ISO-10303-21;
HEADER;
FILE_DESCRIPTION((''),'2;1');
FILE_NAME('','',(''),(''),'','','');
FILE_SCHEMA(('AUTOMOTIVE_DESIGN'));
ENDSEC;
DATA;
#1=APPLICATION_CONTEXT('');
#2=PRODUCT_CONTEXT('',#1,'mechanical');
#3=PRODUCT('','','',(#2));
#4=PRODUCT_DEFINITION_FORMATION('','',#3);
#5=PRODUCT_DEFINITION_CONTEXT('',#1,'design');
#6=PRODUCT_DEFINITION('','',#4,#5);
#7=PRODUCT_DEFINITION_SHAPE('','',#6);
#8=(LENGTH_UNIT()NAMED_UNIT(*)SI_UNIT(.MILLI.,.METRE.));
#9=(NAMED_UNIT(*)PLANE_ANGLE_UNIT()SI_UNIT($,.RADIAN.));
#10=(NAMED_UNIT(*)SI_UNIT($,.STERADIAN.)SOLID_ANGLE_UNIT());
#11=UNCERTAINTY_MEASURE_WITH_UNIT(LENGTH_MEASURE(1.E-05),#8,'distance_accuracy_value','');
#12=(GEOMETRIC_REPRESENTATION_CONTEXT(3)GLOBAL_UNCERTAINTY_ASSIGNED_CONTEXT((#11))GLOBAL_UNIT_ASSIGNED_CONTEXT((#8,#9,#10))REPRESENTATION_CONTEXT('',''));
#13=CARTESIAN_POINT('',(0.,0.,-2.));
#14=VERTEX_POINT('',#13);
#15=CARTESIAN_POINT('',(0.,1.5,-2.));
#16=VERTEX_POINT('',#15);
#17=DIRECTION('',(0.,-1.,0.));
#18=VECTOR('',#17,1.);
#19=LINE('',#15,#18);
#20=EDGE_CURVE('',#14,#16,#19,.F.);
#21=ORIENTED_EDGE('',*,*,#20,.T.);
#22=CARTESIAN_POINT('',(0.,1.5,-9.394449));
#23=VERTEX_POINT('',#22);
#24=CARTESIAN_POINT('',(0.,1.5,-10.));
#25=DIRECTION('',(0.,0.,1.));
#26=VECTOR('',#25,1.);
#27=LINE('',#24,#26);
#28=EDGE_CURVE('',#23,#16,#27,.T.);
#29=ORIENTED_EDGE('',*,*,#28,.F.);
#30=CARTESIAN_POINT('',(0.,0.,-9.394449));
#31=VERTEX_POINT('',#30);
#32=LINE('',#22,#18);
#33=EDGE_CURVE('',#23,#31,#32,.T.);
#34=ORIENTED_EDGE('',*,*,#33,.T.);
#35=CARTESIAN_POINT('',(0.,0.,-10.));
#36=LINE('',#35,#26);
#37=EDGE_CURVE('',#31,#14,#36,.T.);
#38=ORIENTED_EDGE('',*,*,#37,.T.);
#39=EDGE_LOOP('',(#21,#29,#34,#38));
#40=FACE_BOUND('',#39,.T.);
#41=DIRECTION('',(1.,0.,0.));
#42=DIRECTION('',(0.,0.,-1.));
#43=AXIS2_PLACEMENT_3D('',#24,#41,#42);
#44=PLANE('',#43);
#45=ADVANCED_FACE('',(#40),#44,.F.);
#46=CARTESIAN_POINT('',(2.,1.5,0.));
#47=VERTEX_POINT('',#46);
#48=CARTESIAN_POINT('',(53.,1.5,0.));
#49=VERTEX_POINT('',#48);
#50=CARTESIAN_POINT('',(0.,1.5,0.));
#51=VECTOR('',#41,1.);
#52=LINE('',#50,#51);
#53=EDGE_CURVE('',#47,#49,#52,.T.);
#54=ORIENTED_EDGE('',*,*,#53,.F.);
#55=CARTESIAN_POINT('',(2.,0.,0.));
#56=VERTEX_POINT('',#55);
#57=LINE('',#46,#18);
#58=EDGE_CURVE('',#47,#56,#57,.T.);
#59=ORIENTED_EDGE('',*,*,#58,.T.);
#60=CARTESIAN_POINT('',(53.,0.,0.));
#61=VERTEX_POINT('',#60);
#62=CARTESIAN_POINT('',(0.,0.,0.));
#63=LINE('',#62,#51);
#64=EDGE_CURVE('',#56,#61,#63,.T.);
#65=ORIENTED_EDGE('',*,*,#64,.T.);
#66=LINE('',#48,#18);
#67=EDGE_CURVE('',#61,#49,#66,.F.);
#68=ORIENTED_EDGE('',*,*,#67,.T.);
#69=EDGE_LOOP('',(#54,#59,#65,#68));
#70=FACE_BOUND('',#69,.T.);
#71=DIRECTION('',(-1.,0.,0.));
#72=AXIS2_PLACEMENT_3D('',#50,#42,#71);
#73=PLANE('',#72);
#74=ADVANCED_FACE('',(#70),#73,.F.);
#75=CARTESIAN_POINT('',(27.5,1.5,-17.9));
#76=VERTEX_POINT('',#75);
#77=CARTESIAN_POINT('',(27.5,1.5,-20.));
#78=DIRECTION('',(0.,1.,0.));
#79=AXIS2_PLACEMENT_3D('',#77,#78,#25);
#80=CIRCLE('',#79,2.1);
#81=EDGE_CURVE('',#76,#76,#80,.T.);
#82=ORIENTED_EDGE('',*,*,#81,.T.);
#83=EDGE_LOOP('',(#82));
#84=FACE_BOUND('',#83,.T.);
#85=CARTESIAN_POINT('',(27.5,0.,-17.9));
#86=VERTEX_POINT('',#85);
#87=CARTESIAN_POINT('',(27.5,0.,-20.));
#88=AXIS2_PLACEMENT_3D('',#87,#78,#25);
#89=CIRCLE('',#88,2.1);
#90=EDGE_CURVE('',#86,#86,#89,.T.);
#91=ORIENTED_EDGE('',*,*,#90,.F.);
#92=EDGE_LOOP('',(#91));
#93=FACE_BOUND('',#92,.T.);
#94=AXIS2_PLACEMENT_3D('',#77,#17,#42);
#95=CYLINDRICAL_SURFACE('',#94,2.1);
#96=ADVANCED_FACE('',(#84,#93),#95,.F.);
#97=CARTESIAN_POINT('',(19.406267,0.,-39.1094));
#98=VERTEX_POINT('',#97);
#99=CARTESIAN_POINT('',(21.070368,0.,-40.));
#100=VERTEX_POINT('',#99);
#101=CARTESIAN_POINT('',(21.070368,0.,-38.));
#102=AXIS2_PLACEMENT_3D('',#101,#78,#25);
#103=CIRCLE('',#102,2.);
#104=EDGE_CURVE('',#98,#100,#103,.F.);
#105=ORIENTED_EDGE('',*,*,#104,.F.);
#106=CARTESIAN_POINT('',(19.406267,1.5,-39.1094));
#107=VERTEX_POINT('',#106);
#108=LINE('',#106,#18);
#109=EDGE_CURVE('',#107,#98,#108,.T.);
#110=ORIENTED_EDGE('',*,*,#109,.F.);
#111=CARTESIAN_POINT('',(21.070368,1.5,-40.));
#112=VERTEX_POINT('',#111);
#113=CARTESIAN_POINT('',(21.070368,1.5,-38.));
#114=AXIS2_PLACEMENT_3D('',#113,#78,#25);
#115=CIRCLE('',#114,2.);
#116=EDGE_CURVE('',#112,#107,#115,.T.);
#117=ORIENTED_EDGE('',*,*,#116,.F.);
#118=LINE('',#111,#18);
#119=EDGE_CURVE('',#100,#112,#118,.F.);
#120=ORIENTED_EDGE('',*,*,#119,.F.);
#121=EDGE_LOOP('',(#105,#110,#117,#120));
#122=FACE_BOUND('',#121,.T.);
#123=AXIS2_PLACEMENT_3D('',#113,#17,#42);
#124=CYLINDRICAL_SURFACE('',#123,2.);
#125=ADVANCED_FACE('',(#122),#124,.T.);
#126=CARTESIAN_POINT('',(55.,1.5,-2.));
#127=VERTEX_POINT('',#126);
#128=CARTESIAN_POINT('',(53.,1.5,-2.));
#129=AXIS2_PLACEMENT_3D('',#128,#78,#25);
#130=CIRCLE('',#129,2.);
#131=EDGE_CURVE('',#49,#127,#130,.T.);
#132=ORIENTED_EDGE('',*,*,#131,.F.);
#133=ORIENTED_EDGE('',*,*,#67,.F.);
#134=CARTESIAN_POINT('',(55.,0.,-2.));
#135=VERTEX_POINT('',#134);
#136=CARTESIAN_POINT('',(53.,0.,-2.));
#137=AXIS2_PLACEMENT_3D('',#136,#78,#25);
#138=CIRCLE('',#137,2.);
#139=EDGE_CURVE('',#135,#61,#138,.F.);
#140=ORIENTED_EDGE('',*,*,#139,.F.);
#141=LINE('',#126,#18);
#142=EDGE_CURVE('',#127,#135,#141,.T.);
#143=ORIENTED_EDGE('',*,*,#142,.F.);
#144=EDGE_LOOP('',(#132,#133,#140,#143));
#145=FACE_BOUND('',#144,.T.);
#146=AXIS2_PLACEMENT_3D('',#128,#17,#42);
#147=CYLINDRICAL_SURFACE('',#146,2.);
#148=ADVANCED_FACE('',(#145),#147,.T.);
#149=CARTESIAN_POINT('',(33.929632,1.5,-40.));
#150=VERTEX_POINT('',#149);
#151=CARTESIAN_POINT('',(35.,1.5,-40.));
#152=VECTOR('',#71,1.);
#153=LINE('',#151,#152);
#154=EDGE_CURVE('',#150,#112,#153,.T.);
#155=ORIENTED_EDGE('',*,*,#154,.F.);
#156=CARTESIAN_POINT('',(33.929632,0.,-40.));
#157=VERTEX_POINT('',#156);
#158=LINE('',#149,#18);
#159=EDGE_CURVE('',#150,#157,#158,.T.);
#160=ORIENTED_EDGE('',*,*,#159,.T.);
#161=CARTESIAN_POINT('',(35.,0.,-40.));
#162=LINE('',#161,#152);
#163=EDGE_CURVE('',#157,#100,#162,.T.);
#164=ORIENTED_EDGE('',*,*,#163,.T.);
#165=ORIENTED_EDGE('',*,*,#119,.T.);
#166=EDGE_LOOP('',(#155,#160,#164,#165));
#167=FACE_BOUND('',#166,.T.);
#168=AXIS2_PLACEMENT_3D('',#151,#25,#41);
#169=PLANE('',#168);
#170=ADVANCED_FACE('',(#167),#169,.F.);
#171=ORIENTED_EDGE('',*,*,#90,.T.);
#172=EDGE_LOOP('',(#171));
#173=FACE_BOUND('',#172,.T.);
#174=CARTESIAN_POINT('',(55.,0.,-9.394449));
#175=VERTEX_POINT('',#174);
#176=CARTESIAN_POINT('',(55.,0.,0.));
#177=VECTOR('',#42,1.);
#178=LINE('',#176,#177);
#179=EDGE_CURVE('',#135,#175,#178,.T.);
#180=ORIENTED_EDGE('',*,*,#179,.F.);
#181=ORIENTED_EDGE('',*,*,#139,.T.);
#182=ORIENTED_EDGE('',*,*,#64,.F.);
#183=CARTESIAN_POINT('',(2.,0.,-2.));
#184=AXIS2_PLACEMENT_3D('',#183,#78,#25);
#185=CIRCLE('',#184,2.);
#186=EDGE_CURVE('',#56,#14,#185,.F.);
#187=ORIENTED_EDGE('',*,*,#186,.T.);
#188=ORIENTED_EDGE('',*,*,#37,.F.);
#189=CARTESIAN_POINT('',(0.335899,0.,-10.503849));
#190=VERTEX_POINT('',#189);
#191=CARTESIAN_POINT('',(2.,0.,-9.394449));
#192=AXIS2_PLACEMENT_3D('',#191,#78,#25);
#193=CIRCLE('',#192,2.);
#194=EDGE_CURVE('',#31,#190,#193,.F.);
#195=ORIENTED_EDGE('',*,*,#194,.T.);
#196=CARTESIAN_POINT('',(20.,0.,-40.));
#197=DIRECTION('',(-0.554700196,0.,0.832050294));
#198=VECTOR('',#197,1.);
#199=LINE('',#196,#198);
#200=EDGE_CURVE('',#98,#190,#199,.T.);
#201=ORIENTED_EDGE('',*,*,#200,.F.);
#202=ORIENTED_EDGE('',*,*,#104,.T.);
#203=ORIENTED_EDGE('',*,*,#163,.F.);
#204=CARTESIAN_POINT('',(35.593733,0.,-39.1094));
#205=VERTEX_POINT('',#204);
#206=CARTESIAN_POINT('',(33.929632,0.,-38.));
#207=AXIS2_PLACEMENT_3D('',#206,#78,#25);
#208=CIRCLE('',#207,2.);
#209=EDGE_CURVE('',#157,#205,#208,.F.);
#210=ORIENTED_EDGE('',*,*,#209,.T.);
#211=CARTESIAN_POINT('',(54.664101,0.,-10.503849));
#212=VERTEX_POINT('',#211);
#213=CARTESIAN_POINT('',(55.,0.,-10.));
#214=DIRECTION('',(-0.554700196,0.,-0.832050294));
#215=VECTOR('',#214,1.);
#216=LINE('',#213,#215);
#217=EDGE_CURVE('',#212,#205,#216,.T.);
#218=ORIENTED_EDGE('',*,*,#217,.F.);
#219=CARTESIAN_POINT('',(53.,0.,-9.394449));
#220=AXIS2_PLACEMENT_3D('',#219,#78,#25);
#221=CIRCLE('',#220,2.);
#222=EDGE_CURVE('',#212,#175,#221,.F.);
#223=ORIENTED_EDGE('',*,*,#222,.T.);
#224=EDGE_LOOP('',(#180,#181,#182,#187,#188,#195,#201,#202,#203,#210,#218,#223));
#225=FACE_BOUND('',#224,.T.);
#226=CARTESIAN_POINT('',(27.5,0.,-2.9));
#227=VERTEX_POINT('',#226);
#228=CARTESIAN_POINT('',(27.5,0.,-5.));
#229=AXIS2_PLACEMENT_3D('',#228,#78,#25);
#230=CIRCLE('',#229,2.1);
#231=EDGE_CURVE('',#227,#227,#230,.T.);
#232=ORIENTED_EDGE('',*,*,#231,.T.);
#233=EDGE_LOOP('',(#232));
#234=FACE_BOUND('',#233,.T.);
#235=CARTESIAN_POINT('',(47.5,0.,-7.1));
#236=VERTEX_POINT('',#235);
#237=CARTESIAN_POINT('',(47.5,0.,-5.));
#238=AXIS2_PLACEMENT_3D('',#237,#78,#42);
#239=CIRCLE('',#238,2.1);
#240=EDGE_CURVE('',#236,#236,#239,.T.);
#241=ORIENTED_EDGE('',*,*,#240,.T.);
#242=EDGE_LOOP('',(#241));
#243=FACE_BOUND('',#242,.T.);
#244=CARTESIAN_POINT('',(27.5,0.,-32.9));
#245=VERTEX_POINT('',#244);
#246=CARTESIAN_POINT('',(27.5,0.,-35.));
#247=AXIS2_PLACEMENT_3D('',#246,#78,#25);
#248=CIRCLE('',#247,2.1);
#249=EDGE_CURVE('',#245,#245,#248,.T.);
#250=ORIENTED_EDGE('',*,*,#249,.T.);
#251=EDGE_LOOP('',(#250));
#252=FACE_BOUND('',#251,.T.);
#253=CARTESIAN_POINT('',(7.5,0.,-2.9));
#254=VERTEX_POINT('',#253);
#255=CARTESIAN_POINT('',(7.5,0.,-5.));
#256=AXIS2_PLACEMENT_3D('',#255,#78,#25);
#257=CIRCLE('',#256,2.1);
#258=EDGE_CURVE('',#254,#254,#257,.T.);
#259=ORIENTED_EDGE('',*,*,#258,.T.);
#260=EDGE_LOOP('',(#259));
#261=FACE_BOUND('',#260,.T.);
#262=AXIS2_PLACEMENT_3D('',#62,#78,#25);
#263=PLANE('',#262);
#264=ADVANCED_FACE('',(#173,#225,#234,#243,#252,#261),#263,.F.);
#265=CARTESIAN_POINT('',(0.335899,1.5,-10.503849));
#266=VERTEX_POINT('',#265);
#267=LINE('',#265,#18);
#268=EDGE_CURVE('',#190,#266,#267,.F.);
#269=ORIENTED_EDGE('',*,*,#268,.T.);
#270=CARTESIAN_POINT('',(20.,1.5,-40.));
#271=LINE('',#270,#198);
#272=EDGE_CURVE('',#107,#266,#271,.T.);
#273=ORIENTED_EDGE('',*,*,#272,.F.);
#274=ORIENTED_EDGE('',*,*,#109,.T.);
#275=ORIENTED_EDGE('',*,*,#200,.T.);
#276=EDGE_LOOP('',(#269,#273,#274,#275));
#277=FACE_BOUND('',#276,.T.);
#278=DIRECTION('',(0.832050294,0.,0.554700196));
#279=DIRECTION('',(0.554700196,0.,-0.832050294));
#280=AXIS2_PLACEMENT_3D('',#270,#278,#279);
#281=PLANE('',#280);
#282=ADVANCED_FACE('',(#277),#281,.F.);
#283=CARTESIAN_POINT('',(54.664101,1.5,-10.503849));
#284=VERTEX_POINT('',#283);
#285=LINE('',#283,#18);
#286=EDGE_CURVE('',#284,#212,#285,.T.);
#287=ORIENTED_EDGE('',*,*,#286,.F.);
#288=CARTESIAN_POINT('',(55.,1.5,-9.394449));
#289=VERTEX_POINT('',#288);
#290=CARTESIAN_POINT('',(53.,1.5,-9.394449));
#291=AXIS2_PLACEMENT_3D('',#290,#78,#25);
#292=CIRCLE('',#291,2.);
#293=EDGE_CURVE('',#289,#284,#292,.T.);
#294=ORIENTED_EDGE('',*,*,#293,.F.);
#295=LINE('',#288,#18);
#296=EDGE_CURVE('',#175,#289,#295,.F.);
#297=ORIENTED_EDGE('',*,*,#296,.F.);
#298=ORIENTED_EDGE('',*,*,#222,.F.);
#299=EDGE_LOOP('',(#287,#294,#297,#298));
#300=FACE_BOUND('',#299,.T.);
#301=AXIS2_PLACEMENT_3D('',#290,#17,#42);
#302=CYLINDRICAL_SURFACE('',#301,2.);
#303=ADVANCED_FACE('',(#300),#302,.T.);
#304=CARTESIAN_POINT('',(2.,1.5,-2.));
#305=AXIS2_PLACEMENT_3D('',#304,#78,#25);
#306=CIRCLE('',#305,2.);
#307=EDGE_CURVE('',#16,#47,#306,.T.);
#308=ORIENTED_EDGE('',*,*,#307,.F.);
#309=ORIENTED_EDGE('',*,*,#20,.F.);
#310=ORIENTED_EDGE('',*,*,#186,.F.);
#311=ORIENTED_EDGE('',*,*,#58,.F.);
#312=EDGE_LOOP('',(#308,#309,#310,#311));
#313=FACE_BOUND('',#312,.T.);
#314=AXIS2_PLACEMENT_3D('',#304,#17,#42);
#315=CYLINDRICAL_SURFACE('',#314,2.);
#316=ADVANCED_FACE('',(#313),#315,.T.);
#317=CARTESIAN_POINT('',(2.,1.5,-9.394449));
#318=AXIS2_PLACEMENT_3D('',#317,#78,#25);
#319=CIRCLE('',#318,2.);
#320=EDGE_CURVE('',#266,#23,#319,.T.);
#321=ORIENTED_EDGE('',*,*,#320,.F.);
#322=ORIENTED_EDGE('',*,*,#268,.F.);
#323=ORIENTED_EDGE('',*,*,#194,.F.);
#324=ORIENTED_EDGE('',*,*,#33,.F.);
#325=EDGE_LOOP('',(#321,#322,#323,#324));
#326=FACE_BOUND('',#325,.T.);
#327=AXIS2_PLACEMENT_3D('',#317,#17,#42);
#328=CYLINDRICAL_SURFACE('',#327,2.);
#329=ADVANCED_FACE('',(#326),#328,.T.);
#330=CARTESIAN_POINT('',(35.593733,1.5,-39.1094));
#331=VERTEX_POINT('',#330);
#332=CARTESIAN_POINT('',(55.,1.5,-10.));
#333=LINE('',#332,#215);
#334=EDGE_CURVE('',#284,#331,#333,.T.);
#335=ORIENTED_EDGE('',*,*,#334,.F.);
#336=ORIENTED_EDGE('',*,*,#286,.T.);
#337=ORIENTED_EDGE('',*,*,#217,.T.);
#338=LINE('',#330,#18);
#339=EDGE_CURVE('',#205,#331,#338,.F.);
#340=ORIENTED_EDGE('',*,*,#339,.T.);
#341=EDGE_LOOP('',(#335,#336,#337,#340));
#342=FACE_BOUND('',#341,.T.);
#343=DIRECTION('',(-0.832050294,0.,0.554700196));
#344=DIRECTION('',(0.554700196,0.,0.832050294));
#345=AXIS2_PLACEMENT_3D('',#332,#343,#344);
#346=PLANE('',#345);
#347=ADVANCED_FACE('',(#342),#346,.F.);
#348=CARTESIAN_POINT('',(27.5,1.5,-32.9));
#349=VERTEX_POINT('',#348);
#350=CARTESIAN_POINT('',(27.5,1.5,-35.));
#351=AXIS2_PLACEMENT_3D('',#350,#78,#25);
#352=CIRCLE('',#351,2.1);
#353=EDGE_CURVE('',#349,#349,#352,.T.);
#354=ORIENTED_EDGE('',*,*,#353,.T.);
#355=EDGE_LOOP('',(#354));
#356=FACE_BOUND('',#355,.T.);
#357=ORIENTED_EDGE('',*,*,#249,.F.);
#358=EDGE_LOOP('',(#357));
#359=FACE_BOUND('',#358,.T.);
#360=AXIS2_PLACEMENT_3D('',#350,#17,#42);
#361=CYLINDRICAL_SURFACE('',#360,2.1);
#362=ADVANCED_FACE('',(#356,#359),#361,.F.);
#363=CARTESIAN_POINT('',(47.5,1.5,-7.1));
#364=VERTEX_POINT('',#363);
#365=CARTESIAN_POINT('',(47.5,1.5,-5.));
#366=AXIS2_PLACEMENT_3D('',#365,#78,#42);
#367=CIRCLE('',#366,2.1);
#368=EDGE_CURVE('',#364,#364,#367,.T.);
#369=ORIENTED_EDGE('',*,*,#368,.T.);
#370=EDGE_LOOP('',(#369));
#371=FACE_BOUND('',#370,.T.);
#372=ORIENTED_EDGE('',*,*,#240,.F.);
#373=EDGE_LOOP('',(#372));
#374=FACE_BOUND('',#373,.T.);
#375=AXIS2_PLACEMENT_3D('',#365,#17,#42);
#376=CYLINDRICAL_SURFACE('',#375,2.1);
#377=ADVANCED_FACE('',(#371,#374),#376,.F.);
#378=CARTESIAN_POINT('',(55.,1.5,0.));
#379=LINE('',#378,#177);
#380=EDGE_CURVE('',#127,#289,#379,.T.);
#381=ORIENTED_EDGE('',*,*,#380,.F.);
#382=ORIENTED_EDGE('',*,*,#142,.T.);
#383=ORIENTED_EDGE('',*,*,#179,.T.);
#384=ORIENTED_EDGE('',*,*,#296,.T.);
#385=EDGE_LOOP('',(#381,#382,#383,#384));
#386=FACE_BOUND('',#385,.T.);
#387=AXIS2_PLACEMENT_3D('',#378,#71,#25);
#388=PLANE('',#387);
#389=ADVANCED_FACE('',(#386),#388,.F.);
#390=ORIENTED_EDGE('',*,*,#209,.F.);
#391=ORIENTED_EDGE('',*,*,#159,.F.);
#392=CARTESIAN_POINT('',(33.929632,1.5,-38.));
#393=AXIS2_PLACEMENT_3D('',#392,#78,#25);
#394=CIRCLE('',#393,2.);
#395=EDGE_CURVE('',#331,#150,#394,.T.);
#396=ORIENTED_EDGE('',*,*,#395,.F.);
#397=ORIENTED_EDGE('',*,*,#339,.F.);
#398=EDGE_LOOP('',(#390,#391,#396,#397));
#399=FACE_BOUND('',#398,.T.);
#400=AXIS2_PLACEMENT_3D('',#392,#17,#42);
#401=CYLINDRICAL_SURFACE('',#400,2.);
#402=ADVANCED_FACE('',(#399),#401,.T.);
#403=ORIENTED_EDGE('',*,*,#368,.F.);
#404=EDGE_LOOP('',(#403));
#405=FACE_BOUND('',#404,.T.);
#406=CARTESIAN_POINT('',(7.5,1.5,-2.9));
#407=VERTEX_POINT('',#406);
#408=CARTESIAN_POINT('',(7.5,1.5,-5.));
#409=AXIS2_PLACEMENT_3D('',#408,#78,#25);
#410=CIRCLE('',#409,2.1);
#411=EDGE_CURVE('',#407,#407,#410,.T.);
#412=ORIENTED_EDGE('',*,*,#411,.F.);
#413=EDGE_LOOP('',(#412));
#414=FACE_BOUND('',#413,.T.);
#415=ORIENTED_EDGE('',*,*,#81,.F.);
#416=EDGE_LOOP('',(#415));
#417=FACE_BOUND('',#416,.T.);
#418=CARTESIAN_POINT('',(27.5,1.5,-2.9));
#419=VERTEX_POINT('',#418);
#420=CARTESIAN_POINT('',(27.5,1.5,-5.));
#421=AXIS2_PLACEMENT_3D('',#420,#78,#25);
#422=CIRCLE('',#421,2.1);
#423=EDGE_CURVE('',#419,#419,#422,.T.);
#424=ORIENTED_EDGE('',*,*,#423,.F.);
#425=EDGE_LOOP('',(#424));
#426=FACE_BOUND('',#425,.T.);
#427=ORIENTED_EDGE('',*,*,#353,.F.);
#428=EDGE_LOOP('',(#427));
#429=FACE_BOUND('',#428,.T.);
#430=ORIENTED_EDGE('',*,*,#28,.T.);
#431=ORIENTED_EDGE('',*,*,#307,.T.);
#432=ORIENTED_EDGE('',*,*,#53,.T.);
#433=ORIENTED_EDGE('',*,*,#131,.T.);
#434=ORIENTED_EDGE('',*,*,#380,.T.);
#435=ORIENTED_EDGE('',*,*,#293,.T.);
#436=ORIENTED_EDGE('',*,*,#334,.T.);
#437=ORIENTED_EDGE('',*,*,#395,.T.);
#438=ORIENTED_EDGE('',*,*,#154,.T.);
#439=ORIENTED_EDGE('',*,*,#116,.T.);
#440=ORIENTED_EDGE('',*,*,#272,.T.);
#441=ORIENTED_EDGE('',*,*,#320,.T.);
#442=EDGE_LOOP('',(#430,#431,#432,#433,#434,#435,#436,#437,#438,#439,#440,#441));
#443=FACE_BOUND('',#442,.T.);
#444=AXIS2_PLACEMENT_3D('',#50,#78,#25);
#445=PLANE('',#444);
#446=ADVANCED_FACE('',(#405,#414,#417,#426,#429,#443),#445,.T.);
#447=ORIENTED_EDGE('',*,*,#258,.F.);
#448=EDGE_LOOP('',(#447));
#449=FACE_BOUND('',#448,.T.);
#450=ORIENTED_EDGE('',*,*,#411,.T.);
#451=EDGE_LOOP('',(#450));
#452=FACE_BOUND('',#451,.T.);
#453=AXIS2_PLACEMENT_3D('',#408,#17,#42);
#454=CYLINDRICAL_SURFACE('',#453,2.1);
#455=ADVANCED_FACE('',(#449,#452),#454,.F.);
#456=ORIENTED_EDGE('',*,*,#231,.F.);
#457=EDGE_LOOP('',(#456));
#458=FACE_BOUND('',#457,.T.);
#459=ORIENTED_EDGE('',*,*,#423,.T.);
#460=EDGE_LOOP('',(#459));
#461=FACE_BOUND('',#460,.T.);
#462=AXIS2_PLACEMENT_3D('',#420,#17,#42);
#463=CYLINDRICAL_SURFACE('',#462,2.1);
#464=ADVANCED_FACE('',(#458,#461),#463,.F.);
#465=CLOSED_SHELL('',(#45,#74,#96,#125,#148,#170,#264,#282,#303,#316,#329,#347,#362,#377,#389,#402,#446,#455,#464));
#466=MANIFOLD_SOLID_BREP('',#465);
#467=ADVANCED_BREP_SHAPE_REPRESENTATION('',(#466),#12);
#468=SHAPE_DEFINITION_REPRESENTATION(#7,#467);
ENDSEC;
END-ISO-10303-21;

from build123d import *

# Parameters (mm, degrees)
SKETCH_1_R      = 2.1
EXTRUDE_1_DEPTH = 1.5
FILLET_1_R      = 2


with BuildPart() as part:
    # ｽｹｯﾁ1 → ﾎﾞｽ - 押し出し1 (new body)
    with BuildSketch(Plane(origin=(0, 0, 0), x_dir=(1, 0, 0), z_dir=(0, 1, 0))):
        Polygon((0, 0), (55, 0), (55, 10), (35, 40), (20, 40), (0, 10), align=None)
        with Locations(Location((7.5, 5, 0), (0, 0, 270))):
            Circle(SKETCH_1_R, mode=Mode.SUBTRACT)
        with Locations(Location((47.5, 5, 0), (0, 0, 90))):
            Circle(SKETCH_1_R, mode=Mode.SUBTRACT)
        with Locations(Location((27.5, 5, 0), (0, 0, 270))):
            Circle(SKETCH_1_R, mode=Mode.SUBTRACT)
        with Locations(Location((27.5, 35, 0), (0, 0, 270))):
            Circle(SKETCH_1_R, mode=Mode.SUBTRACT)
        with Locations(Location((27.5, 20, 0), (0, 0, 270))):
            Circle(SKETCH_1_R, mode=Mode.SUBTRACT)
    extrude(amount=EXTRUDE_1_DEPTH)

    # ﾌｨﾚｯﾄ1
    fillet_1_edges = [part.edges().sort_by_distance(p)[0] for p in [
        (0, 0.75, -10),
        (20, 0.75, -40),
        (35, 0.75, -40),
        (55, 0.75, -10),
        (55, 0.75, 0),
        (0, 0.75, 0),
    ]]
    fillet(fillet_1_edges, radius=FILLET_1_R)


solid = part.part
